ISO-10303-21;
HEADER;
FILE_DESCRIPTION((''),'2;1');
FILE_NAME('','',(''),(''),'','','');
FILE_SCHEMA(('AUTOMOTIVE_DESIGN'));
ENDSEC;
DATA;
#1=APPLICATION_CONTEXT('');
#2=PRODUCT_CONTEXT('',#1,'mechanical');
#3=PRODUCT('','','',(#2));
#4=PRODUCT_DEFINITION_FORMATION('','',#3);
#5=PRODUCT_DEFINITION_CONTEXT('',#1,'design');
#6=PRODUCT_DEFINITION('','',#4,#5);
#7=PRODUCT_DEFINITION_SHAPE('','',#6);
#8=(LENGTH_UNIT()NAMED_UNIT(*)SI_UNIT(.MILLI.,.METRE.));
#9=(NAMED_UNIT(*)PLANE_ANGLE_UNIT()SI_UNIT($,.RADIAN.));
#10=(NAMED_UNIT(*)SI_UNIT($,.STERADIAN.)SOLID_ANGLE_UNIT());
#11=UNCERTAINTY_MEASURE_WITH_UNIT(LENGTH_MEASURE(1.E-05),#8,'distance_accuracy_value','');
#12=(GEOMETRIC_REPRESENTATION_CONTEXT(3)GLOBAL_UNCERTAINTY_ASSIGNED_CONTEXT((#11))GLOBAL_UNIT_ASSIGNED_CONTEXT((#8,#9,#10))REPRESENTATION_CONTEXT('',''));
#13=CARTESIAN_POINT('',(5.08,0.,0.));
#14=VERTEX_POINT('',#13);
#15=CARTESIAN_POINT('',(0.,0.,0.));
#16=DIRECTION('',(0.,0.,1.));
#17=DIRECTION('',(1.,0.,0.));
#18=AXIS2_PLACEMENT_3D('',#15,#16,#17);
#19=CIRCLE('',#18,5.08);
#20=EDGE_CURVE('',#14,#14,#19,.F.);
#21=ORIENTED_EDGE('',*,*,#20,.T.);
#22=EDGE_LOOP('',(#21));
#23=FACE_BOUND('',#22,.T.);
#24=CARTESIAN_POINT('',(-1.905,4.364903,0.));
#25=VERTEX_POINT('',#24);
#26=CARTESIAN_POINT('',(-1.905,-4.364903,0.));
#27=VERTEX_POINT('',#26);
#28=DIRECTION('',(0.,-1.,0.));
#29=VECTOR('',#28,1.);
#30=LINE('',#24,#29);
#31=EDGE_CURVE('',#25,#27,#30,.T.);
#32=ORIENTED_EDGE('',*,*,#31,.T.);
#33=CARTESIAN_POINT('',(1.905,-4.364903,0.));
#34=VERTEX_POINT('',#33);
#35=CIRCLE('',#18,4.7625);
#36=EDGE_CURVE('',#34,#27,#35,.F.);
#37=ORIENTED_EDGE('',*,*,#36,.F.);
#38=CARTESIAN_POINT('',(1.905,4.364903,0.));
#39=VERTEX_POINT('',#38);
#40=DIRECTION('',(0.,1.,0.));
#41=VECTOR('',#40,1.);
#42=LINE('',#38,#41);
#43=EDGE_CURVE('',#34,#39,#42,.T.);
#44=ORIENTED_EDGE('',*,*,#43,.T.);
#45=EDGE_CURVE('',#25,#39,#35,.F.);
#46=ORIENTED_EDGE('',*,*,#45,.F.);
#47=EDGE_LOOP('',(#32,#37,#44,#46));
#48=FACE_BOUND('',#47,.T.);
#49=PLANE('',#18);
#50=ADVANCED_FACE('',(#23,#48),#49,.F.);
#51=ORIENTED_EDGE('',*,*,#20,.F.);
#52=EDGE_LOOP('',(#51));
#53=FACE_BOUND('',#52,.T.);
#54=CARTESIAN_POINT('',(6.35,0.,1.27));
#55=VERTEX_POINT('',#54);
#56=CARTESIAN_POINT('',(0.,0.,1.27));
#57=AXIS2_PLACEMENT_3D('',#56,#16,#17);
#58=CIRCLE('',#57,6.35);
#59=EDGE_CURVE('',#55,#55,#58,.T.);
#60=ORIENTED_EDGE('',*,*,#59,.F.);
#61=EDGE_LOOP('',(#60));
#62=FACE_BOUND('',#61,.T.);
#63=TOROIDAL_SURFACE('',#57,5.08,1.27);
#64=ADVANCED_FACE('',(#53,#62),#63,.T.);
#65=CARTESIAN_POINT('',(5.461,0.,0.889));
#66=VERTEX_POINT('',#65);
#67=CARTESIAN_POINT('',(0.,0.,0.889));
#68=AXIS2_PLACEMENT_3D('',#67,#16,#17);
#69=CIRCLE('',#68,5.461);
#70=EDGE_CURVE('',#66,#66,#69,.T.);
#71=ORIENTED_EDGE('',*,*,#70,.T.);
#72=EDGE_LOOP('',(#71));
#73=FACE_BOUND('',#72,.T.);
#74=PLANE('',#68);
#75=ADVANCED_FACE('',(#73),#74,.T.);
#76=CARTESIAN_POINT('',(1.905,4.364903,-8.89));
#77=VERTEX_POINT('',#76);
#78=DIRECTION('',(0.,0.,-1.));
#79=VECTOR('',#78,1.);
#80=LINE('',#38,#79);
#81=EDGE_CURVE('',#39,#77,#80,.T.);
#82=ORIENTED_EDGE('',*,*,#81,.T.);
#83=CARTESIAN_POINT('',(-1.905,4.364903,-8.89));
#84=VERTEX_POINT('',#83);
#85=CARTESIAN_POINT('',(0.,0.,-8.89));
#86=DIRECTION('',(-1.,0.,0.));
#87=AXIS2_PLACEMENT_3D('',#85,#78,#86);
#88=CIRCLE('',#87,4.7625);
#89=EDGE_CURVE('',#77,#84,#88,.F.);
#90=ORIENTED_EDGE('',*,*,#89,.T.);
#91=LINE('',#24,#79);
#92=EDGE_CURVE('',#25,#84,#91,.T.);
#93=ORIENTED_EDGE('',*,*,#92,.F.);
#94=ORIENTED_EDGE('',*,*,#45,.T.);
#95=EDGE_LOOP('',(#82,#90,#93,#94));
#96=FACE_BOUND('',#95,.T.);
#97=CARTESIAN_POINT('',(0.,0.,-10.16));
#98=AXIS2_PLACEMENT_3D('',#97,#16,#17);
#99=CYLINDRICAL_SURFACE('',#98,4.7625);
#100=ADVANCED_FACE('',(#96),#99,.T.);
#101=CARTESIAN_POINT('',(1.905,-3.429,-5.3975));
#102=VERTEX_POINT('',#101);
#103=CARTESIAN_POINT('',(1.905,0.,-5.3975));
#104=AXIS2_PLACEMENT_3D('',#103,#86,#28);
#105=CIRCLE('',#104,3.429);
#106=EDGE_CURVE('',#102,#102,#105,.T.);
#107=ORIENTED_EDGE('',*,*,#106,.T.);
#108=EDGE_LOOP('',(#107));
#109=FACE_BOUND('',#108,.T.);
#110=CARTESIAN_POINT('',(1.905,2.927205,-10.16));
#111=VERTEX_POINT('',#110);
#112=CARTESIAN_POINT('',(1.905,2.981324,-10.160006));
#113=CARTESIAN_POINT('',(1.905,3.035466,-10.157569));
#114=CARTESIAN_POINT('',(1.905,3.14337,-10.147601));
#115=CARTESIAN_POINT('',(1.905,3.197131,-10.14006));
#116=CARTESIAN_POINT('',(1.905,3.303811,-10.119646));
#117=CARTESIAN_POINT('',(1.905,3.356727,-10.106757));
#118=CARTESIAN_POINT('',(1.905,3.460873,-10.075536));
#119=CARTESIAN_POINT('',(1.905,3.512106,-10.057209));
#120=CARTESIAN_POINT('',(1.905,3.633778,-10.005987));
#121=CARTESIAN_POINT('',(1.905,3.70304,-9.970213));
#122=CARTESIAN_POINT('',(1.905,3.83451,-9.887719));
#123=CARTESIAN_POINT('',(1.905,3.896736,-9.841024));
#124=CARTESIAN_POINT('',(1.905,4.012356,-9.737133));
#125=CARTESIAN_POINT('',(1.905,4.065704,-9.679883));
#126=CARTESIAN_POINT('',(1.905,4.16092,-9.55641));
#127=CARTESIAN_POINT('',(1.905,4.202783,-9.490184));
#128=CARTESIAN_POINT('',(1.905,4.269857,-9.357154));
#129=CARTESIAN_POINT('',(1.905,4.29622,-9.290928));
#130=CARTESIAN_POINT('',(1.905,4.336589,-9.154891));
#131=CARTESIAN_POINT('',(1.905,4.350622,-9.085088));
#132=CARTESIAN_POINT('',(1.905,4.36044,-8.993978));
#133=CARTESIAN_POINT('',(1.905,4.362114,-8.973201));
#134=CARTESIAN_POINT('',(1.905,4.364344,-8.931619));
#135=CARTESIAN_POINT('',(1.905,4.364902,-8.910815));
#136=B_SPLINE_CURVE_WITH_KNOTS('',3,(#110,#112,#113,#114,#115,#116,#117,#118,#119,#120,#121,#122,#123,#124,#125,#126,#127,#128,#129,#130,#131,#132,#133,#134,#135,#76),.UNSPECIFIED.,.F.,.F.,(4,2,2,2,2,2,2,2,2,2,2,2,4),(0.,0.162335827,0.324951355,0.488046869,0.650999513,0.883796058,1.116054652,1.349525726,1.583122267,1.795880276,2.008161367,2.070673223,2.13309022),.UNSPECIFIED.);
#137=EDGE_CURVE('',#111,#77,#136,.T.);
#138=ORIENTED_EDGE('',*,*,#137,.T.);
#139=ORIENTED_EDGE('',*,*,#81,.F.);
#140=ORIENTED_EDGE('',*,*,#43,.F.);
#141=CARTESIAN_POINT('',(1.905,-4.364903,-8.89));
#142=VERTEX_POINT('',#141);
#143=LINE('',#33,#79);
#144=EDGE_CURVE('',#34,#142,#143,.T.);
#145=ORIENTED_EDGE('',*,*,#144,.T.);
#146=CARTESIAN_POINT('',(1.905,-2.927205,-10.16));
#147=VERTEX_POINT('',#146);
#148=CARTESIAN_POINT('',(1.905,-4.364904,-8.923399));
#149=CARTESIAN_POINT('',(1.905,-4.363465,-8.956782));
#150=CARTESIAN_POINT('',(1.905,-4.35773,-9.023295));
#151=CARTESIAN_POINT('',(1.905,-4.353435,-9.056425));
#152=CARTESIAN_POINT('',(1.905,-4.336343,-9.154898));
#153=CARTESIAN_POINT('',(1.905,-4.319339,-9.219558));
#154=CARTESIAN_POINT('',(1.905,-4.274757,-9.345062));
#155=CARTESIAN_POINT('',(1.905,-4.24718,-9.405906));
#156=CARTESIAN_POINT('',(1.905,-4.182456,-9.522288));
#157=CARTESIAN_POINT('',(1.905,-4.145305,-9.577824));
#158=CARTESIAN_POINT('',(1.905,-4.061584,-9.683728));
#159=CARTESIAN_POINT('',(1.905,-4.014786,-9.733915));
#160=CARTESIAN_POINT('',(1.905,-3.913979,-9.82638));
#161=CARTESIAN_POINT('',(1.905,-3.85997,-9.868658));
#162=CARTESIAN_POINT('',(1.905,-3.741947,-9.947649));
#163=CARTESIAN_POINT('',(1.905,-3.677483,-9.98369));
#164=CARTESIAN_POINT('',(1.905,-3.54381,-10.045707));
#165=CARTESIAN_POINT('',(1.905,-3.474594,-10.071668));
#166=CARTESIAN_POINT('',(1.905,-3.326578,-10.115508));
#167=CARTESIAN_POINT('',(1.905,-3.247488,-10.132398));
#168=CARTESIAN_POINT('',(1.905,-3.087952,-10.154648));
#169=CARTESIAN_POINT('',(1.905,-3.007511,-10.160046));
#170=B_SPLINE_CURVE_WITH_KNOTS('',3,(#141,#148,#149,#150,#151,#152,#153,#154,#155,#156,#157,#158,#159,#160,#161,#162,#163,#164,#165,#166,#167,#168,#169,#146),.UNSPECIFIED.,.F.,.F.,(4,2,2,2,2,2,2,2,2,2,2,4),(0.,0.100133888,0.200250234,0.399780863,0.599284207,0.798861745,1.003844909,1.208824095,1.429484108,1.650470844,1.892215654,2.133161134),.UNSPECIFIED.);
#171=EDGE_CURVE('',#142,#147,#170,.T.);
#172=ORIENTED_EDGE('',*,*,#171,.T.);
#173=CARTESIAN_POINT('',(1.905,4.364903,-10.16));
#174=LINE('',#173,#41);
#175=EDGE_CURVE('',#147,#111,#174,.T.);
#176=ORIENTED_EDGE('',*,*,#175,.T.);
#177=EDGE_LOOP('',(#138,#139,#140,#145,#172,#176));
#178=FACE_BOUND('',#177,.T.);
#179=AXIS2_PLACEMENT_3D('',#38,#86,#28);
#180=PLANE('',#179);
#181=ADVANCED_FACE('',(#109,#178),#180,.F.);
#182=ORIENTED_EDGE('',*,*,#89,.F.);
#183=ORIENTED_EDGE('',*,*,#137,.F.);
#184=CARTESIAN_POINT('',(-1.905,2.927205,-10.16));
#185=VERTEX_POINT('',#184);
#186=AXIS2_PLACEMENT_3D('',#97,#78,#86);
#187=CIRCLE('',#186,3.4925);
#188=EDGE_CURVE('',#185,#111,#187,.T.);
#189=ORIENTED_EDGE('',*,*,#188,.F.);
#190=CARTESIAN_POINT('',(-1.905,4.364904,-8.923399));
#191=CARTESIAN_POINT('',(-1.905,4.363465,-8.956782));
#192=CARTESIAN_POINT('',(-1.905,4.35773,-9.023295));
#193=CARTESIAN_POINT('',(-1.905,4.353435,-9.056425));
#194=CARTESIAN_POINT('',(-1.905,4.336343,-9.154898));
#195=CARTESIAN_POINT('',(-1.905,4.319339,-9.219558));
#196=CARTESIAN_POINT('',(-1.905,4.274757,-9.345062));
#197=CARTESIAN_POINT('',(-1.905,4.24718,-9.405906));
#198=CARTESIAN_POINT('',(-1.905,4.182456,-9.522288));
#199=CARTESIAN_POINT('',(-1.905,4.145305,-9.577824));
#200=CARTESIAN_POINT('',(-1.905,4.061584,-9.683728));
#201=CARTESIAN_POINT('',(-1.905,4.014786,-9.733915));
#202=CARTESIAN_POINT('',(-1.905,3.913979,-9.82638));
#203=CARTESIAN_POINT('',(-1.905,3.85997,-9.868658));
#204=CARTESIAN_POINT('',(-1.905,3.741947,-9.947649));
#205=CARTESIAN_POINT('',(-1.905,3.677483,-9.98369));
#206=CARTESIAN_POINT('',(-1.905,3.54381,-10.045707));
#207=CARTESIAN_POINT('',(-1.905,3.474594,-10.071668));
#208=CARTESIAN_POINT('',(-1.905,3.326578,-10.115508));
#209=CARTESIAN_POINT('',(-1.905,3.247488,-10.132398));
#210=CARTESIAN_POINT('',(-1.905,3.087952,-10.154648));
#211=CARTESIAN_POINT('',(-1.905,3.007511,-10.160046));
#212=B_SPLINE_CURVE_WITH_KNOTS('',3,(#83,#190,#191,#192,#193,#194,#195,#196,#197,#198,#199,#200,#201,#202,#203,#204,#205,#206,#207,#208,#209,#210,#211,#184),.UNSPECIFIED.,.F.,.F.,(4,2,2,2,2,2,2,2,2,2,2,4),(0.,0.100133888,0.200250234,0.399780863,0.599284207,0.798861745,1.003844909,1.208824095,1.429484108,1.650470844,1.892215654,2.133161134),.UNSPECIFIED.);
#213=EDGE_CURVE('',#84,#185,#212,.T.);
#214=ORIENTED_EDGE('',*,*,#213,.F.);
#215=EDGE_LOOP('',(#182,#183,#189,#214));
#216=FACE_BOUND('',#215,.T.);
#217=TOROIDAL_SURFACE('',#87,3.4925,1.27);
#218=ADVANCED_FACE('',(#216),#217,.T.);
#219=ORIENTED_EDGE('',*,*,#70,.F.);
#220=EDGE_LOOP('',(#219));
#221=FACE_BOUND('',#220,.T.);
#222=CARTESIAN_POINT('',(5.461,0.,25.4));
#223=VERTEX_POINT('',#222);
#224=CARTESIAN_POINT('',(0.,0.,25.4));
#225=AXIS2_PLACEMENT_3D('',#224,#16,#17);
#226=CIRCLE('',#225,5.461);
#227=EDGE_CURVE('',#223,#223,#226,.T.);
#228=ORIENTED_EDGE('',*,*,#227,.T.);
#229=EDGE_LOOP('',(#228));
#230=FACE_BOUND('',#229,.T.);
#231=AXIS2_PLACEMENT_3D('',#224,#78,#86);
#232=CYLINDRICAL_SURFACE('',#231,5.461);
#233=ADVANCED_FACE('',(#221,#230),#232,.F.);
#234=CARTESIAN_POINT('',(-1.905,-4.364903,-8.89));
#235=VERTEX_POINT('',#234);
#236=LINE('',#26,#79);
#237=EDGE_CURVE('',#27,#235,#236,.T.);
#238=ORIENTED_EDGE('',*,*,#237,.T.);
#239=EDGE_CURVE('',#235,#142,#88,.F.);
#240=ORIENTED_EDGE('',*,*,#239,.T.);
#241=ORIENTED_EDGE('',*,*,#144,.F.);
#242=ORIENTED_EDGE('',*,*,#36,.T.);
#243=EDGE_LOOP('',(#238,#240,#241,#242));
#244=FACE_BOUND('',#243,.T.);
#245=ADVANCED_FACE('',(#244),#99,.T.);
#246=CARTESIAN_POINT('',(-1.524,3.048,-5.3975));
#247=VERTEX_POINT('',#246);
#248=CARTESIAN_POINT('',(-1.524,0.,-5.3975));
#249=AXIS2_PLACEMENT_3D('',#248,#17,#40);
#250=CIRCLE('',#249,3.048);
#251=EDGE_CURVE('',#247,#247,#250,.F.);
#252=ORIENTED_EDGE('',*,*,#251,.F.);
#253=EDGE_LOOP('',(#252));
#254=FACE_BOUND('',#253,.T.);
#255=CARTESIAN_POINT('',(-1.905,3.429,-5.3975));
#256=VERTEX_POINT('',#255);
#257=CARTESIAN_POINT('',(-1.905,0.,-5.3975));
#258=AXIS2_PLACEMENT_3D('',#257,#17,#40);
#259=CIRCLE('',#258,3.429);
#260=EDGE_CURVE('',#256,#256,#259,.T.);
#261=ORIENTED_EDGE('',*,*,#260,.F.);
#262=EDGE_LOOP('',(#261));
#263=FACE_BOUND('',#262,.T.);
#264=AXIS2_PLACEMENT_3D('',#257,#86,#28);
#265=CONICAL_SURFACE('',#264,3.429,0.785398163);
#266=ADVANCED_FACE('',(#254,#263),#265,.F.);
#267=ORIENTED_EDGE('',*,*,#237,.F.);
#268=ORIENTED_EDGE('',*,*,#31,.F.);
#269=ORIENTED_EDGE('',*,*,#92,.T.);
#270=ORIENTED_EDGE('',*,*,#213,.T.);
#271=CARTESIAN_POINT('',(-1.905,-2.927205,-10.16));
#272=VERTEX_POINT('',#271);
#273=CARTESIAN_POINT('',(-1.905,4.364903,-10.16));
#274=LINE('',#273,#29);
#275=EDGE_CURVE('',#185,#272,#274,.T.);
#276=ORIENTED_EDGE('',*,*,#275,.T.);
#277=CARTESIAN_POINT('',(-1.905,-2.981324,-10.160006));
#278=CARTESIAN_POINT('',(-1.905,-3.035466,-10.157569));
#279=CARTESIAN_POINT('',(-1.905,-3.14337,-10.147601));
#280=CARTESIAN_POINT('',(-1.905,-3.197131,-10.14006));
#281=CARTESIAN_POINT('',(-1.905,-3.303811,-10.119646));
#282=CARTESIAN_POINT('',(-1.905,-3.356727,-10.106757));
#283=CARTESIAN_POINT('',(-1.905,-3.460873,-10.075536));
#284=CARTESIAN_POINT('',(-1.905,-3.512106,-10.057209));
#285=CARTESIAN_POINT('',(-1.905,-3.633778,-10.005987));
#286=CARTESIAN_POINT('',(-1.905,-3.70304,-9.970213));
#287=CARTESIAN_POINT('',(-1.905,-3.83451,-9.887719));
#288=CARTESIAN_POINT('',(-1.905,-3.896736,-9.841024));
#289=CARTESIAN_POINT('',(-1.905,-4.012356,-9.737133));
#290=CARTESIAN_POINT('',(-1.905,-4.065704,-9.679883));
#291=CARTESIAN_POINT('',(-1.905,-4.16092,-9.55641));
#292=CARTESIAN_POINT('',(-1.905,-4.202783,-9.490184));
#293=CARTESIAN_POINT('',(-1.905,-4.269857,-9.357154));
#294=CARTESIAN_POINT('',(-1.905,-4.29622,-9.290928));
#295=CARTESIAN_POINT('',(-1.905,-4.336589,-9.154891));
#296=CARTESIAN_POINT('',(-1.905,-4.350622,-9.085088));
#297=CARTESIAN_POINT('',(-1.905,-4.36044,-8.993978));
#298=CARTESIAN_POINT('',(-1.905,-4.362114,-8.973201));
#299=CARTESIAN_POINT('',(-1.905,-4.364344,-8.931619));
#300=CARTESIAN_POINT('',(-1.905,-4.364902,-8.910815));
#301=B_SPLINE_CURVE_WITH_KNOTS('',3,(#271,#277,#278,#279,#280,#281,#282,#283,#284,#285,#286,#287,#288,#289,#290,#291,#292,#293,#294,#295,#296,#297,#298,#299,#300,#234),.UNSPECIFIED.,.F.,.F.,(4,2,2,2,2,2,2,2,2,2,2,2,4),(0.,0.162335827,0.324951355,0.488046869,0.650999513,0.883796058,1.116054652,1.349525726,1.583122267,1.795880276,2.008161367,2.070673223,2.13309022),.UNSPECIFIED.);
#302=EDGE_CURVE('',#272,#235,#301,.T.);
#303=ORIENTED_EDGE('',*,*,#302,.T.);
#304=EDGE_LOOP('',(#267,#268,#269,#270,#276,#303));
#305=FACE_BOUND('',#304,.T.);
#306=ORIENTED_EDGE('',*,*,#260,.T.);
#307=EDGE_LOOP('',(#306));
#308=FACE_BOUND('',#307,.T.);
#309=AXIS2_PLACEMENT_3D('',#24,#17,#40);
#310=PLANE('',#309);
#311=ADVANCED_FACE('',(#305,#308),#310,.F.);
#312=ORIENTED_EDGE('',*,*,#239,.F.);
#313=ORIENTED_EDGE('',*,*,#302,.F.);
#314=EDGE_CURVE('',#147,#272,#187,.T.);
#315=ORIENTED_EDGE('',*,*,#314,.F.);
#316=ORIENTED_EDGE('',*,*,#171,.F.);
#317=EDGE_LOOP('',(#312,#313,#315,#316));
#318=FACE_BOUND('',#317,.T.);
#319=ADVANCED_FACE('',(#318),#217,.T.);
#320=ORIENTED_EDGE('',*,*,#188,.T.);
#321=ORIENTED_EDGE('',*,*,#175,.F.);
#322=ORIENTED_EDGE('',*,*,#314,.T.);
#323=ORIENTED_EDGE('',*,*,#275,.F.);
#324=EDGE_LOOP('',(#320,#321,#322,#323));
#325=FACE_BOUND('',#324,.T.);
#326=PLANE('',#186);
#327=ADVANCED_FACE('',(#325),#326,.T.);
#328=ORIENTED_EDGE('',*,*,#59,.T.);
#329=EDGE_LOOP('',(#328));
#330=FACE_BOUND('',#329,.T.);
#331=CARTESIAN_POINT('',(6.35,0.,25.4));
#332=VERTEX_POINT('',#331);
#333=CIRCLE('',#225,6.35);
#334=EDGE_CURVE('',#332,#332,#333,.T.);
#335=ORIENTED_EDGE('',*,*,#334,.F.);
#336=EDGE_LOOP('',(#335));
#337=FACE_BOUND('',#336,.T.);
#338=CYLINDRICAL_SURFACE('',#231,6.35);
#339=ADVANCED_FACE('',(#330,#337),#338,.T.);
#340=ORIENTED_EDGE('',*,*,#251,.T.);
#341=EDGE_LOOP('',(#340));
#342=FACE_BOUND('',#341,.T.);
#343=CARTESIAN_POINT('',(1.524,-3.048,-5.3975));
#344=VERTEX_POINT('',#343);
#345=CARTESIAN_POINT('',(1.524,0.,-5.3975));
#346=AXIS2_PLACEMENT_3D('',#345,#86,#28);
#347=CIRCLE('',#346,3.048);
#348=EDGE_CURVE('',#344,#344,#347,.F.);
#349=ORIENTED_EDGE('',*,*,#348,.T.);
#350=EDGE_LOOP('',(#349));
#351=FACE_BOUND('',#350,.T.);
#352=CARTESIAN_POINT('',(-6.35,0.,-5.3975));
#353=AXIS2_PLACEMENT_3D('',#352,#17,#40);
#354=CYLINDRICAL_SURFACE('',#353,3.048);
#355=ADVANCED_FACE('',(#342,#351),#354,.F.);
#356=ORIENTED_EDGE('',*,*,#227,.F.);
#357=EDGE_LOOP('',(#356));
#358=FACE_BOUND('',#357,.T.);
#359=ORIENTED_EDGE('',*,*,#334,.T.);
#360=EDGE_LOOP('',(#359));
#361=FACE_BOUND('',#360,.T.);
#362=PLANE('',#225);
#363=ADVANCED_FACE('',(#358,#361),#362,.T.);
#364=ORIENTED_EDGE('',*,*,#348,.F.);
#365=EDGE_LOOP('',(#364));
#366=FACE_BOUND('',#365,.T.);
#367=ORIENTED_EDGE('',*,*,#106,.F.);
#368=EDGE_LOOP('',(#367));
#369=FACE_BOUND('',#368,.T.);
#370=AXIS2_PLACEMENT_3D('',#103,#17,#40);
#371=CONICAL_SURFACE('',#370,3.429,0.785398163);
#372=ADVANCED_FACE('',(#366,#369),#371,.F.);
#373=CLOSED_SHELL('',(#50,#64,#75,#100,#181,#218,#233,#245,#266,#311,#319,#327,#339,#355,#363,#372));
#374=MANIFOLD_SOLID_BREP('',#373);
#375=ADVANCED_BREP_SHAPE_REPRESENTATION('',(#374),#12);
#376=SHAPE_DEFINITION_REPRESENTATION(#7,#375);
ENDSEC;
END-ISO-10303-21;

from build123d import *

# Parameters (mm, degrees)
SKETCH1_R               = 6.35
BOSS_EXTRUDE1_DEPTH     = 25.4
SHELL1_T                = -0.889
FILLET1_R               = 1.27
SKETCH2_R               = 4.7625
BOSS_EXTRUDE2_DEPTH     = 10.16
CUT_EXTRUDE1_START      = -10.16
CUT_EXTRUDE1_DEPTH      = 10.16
CUT_EXTRUDE2_DEPTH      = 28.452277251
CUT_EXTRUDE2_DEPTH_BACK = 28.452277251
SKETCH4_R               = 3.048
CHAMFER2_SIZE           = 0.381
FILLET2_R               = 1.27


with BuildPart() as part:
    # Sketch1 → Boss-Extrude1 (new body)
    with BuildSketch(Plane.XY):
        Circle(SKETCH1_R)
    extrude(amount=BOSS_EXTRUDE1_DEPTH)

    # Shell1
    shell1_openings = [part.faces().sort_by_distance(p)[0] for p in [
        (0, 0, 25.4),
    ]]
    offset(amount=SHELL1_T, openings=shell1_openings, kind=Kind.INTERSECTION)

    # Fillet1
    fillet1_edges = [part.edges().sort_by_distance(p)[0] for p in [
        (-6.35, 0, 0),
    ]]
    fillet(fillet1_edges, radius=FILLET1_R)

    # Sketch2 → Boss-Extrude2 (add)
    with BuildSketch(Plane(origin=(0, 0, 0), x_dir=(-1, 0, 0), z_dir=(0, 0, -1))):
        with Locations(Location((0, 0, 0), (0, 0, 180))):
            Circle(SKETCH2_R)
    extrude(amount=BOSS_EXTRUDE2_DEPTH)

    # Sketch3 → Cut-Extrude1 (cut)
    with BuildSketch(Plane(origin=(0, 0, -10.16), x_dir=(-1, 0, 0), z_dir=(0, 0, -1)).offset(CUT_EXTRUDE1_START)):
        with BuildLine():
            Line((-1.905, 4.364903349), (-1.905, -4.364903349))
            ThreePointArc((-1.905, -4.364903349), (-4.7625, 0), (-1.905, 4.364903349))
        make_face()
        with BuildLine():
            Line((1.905, 4.364903349), (1.905, -4.364903349))
            ThreePointArc((1.905, -4.364903349), (4.7625, 0), (1.905, 4.364903349))
        make_face()
    extrude(amount=CUT_EXTRUDE1_DEPTH, mode=Mode.SUBTRACT)

    # Sketch4 → Cut-Extrude2 (cut, two sides: drawn at the far end of the back side and taken through both)
    with BuildSketch(Plane(origin=(1.905, 0, 0), x_dir=(0, 0, -1), z_dir=(1, 0, 0)).offset(-CUT_EXTRUDE2_DEPTH_BACK)):
        with Locations(Location((5.3975, 0, 0), (0, 0, 90))):
            Circle(SKETCH4_R)
    extrude(amount=CUT_EXTRUDE2_DEPTH + CUT_EXTRUDE2_DEPTH_BACK, mode=Mode.SUBTRACT)

    # Chamfer2
    chamfer2_edges = [part.edges().sort_by_distance(p)[0] for p in [
        (1.905, -3.048, -5.3975),
        (-1.905, -3.048, -5.3975),
    ]]
    chamfer(chamfer2_edges, length=CHAMFER2_SIZE)

    # Fillet2
    fillet2_edges = [part.edges().sort_by_distance(p)[0] for p in [
        (0, 4.7625, -10.16),
        (0, -4.7625, -10.16),
    ]]
    fillet(fillet2_edges, radius=FILLET2_R)


solid = part.part
